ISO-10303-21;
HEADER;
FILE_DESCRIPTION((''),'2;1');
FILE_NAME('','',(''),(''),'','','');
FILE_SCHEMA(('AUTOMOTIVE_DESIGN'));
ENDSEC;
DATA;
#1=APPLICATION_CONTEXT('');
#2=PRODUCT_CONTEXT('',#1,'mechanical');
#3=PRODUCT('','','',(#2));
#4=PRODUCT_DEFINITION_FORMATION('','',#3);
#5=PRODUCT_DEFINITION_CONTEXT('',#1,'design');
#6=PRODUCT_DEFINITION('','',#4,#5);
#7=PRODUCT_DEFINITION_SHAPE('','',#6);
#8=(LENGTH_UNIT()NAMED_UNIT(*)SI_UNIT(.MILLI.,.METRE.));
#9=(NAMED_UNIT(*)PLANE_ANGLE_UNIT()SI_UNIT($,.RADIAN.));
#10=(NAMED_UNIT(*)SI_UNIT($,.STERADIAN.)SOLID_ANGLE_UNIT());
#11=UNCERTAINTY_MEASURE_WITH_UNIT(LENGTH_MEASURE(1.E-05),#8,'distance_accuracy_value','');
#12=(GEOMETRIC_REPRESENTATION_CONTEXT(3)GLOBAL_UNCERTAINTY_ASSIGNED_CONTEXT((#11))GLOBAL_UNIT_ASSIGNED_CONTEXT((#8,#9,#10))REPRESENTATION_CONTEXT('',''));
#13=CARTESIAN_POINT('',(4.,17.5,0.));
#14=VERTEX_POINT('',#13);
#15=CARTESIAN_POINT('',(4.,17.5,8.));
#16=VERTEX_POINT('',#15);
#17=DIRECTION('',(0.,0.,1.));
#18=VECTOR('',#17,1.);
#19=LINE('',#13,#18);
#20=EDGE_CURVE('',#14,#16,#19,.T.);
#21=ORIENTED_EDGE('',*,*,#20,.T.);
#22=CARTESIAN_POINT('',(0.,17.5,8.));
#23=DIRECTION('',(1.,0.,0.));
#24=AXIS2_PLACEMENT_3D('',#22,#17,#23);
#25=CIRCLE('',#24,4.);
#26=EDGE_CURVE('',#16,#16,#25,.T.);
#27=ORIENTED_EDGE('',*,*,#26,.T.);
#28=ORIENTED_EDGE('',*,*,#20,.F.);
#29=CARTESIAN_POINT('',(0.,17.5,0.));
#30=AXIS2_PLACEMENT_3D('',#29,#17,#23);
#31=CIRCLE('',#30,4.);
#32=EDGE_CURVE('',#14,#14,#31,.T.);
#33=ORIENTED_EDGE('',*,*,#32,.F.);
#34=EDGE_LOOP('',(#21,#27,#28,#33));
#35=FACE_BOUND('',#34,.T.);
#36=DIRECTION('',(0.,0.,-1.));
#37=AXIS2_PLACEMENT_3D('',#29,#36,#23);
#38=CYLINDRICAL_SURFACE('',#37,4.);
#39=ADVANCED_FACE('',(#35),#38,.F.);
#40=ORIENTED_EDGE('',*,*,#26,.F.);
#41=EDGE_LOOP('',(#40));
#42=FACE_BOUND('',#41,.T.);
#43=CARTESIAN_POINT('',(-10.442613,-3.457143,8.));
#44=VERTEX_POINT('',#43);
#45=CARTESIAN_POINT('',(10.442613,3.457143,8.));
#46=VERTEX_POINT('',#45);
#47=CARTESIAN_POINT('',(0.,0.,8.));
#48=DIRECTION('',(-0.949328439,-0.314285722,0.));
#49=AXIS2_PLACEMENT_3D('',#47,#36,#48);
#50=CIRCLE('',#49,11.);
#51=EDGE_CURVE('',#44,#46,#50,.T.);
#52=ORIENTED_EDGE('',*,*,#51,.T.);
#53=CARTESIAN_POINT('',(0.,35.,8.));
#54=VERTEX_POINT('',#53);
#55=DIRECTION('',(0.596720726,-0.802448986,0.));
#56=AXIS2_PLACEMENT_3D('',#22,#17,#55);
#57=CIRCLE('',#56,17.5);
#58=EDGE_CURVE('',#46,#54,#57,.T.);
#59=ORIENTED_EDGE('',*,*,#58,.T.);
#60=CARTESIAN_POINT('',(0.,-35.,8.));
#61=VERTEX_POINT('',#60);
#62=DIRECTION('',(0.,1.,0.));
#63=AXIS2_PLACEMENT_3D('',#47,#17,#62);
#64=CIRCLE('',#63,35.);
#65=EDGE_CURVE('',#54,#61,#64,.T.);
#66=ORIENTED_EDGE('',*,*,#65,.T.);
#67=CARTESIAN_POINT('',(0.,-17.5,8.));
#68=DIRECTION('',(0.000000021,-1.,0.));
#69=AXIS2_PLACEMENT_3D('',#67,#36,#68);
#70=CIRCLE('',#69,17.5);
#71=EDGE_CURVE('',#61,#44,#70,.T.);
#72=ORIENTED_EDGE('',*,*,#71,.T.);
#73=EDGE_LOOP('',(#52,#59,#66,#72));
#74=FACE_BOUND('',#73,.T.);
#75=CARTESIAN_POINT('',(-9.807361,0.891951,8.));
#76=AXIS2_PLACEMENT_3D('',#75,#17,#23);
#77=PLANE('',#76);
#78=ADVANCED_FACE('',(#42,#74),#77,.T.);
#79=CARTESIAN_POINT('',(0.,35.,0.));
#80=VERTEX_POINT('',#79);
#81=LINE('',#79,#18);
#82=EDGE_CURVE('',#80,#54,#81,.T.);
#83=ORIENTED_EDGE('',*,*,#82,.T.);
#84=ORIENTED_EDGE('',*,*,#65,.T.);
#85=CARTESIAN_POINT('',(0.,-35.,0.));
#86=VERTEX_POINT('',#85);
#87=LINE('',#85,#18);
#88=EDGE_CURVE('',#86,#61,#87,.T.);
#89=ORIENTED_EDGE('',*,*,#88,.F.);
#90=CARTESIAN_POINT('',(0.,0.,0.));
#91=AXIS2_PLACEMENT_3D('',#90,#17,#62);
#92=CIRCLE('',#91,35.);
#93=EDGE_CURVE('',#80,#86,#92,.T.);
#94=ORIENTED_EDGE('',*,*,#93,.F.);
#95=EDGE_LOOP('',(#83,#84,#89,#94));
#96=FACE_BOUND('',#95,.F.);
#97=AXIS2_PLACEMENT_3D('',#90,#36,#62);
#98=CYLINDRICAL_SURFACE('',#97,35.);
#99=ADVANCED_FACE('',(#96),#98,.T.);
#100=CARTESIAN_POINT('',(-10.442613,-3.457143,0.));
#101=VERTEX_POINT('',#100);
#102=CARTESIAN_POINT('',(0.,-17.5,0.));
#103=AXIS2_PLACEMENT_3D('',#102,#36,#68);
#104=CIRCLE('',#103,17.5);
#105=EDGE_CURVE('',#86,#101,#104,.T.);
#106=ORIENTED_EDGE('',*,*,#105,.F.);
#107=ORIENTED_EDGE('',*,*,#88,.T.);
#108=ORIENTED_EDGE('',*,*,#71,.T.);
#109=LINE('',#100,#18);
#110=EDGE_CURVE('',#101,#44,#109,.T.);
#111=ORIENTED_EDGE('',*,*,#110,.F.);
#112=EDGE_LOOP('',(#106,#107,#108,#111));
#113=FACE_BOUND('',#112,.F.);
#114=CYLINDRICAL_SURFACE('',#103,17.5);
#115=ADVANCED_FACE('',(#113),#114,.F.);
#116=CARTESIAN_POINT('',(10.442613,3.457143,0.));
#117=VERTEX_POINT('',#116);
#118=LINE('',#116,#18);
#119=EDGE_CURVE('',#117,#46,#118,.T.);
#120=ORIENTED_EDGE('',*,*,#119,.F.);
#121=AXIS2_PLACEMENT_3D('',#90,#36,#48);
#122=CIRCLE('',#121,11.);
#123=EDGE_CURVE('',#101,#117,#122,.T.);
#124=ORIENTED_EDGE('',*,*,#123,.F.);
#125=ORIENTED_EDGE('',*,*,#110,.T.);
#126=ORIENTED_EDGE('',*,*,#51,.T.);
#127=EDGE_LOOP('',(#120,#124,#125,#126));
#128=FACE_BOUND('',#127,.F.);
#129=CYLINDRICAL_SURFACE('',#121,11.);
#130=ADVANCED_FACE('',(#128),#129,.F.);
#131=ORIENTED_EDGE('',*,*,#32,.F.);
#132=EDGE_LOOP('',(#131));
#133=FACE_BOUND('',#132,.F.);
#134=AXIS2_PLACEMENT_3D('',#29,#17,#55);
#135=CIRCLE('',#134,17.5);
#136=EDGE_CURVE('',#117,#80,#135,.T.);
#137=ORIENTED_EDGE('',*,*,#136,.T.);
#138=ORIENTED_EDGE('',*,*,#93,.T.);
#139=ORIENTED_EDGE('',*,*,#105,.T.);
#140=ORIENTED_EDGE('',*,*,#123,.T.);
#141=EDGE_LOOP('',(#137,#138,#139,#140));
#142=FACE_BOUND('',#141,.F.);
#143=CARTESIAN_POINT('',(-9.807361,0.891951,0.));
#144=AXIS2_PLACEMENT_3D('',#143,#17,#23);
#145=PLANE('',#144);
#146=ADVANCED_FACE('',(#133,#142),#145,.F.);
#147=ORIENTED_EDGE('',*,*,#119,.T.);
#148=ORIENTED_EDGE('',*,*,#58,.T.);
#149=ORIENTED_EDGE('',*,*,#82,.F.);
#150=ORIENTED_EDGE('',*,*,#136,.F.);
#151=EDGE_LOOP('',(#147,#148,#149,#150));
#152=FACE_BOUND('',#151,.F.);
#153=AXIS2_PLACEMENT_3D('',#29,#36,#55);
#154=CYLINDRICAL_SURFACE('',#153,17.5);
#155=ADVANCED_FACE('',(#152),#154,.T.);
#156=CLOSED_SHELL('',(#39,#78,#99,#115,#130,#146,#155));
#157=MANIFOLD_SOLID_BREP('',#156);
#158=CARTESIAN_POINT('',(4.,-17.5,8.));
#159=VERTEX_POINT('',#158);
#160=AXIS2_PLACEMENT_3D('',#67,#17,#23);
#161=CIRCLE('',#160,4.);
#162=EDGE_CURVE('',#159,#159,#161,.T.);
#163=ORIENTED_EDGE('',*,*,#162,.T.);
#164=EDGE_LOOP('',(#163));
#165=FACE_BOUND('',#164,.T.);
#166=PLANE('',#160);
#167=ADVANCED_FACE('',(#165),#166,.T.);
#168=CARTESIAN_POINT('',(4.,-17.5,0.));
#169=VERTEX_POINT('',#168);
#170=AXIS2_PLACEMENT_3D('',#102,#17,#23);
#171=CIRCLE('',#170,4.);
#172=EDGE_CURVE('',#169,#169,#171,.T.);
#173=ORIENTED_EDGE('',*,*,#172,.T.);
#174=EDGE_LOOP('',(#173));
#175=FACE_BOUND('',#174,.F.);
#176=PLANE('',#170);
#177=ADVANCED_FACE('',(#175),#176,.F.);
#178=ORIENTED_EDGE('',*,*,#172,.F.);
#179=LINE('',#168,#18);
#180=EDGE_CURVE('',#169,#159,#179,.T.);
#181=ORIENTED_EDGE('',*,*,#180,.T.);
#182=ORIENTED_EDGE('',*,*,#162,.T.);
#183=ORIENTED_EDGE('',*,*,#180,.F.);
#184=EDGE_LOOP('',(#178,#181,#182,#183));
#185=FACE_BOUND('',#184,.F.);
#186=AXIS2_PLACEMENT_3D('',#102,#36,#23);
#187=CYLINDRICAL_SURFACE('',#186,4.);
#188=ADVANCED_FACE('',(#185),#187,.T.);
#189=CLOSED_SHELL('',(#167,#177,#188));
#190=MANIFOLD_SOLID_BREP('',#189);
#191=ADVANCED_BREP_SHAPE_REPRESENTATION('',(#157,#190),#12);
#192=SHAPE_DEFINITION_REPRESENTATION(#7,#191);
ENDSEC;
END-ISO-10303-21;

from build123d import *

# Parameters (mm, degrees)
F0_R     = 4
F1_DEPTH = 8


with BuildPart() as f1:
    # F0 (on Top) → F1 (new body)
    with BuildSketch(Plane.XY):
        with BuildLine():
            ThreePointArc((10.442613, 3.457143), (16.613248, 23), (0, 35))
            ThreePointArc((0, 35), (-35, 0), (0, -35))
            ThreePointArc((0, -35), (-16.613248, -23), (-10.442613, -3.457143))
            ThreePointArc((-10.442613, -3.457143), (-3.457143, 10.442613), (10.442613, 3.457143))
        make_face()
        with Locations((0, 17.5)):
            Circle(F0_R, mode=Mode.SUBTRACT)
        with Locations((0, -17.5)):
            Circle(F0_R)
    extrude(amount=F1_DEPTH)


solid = f1.part
